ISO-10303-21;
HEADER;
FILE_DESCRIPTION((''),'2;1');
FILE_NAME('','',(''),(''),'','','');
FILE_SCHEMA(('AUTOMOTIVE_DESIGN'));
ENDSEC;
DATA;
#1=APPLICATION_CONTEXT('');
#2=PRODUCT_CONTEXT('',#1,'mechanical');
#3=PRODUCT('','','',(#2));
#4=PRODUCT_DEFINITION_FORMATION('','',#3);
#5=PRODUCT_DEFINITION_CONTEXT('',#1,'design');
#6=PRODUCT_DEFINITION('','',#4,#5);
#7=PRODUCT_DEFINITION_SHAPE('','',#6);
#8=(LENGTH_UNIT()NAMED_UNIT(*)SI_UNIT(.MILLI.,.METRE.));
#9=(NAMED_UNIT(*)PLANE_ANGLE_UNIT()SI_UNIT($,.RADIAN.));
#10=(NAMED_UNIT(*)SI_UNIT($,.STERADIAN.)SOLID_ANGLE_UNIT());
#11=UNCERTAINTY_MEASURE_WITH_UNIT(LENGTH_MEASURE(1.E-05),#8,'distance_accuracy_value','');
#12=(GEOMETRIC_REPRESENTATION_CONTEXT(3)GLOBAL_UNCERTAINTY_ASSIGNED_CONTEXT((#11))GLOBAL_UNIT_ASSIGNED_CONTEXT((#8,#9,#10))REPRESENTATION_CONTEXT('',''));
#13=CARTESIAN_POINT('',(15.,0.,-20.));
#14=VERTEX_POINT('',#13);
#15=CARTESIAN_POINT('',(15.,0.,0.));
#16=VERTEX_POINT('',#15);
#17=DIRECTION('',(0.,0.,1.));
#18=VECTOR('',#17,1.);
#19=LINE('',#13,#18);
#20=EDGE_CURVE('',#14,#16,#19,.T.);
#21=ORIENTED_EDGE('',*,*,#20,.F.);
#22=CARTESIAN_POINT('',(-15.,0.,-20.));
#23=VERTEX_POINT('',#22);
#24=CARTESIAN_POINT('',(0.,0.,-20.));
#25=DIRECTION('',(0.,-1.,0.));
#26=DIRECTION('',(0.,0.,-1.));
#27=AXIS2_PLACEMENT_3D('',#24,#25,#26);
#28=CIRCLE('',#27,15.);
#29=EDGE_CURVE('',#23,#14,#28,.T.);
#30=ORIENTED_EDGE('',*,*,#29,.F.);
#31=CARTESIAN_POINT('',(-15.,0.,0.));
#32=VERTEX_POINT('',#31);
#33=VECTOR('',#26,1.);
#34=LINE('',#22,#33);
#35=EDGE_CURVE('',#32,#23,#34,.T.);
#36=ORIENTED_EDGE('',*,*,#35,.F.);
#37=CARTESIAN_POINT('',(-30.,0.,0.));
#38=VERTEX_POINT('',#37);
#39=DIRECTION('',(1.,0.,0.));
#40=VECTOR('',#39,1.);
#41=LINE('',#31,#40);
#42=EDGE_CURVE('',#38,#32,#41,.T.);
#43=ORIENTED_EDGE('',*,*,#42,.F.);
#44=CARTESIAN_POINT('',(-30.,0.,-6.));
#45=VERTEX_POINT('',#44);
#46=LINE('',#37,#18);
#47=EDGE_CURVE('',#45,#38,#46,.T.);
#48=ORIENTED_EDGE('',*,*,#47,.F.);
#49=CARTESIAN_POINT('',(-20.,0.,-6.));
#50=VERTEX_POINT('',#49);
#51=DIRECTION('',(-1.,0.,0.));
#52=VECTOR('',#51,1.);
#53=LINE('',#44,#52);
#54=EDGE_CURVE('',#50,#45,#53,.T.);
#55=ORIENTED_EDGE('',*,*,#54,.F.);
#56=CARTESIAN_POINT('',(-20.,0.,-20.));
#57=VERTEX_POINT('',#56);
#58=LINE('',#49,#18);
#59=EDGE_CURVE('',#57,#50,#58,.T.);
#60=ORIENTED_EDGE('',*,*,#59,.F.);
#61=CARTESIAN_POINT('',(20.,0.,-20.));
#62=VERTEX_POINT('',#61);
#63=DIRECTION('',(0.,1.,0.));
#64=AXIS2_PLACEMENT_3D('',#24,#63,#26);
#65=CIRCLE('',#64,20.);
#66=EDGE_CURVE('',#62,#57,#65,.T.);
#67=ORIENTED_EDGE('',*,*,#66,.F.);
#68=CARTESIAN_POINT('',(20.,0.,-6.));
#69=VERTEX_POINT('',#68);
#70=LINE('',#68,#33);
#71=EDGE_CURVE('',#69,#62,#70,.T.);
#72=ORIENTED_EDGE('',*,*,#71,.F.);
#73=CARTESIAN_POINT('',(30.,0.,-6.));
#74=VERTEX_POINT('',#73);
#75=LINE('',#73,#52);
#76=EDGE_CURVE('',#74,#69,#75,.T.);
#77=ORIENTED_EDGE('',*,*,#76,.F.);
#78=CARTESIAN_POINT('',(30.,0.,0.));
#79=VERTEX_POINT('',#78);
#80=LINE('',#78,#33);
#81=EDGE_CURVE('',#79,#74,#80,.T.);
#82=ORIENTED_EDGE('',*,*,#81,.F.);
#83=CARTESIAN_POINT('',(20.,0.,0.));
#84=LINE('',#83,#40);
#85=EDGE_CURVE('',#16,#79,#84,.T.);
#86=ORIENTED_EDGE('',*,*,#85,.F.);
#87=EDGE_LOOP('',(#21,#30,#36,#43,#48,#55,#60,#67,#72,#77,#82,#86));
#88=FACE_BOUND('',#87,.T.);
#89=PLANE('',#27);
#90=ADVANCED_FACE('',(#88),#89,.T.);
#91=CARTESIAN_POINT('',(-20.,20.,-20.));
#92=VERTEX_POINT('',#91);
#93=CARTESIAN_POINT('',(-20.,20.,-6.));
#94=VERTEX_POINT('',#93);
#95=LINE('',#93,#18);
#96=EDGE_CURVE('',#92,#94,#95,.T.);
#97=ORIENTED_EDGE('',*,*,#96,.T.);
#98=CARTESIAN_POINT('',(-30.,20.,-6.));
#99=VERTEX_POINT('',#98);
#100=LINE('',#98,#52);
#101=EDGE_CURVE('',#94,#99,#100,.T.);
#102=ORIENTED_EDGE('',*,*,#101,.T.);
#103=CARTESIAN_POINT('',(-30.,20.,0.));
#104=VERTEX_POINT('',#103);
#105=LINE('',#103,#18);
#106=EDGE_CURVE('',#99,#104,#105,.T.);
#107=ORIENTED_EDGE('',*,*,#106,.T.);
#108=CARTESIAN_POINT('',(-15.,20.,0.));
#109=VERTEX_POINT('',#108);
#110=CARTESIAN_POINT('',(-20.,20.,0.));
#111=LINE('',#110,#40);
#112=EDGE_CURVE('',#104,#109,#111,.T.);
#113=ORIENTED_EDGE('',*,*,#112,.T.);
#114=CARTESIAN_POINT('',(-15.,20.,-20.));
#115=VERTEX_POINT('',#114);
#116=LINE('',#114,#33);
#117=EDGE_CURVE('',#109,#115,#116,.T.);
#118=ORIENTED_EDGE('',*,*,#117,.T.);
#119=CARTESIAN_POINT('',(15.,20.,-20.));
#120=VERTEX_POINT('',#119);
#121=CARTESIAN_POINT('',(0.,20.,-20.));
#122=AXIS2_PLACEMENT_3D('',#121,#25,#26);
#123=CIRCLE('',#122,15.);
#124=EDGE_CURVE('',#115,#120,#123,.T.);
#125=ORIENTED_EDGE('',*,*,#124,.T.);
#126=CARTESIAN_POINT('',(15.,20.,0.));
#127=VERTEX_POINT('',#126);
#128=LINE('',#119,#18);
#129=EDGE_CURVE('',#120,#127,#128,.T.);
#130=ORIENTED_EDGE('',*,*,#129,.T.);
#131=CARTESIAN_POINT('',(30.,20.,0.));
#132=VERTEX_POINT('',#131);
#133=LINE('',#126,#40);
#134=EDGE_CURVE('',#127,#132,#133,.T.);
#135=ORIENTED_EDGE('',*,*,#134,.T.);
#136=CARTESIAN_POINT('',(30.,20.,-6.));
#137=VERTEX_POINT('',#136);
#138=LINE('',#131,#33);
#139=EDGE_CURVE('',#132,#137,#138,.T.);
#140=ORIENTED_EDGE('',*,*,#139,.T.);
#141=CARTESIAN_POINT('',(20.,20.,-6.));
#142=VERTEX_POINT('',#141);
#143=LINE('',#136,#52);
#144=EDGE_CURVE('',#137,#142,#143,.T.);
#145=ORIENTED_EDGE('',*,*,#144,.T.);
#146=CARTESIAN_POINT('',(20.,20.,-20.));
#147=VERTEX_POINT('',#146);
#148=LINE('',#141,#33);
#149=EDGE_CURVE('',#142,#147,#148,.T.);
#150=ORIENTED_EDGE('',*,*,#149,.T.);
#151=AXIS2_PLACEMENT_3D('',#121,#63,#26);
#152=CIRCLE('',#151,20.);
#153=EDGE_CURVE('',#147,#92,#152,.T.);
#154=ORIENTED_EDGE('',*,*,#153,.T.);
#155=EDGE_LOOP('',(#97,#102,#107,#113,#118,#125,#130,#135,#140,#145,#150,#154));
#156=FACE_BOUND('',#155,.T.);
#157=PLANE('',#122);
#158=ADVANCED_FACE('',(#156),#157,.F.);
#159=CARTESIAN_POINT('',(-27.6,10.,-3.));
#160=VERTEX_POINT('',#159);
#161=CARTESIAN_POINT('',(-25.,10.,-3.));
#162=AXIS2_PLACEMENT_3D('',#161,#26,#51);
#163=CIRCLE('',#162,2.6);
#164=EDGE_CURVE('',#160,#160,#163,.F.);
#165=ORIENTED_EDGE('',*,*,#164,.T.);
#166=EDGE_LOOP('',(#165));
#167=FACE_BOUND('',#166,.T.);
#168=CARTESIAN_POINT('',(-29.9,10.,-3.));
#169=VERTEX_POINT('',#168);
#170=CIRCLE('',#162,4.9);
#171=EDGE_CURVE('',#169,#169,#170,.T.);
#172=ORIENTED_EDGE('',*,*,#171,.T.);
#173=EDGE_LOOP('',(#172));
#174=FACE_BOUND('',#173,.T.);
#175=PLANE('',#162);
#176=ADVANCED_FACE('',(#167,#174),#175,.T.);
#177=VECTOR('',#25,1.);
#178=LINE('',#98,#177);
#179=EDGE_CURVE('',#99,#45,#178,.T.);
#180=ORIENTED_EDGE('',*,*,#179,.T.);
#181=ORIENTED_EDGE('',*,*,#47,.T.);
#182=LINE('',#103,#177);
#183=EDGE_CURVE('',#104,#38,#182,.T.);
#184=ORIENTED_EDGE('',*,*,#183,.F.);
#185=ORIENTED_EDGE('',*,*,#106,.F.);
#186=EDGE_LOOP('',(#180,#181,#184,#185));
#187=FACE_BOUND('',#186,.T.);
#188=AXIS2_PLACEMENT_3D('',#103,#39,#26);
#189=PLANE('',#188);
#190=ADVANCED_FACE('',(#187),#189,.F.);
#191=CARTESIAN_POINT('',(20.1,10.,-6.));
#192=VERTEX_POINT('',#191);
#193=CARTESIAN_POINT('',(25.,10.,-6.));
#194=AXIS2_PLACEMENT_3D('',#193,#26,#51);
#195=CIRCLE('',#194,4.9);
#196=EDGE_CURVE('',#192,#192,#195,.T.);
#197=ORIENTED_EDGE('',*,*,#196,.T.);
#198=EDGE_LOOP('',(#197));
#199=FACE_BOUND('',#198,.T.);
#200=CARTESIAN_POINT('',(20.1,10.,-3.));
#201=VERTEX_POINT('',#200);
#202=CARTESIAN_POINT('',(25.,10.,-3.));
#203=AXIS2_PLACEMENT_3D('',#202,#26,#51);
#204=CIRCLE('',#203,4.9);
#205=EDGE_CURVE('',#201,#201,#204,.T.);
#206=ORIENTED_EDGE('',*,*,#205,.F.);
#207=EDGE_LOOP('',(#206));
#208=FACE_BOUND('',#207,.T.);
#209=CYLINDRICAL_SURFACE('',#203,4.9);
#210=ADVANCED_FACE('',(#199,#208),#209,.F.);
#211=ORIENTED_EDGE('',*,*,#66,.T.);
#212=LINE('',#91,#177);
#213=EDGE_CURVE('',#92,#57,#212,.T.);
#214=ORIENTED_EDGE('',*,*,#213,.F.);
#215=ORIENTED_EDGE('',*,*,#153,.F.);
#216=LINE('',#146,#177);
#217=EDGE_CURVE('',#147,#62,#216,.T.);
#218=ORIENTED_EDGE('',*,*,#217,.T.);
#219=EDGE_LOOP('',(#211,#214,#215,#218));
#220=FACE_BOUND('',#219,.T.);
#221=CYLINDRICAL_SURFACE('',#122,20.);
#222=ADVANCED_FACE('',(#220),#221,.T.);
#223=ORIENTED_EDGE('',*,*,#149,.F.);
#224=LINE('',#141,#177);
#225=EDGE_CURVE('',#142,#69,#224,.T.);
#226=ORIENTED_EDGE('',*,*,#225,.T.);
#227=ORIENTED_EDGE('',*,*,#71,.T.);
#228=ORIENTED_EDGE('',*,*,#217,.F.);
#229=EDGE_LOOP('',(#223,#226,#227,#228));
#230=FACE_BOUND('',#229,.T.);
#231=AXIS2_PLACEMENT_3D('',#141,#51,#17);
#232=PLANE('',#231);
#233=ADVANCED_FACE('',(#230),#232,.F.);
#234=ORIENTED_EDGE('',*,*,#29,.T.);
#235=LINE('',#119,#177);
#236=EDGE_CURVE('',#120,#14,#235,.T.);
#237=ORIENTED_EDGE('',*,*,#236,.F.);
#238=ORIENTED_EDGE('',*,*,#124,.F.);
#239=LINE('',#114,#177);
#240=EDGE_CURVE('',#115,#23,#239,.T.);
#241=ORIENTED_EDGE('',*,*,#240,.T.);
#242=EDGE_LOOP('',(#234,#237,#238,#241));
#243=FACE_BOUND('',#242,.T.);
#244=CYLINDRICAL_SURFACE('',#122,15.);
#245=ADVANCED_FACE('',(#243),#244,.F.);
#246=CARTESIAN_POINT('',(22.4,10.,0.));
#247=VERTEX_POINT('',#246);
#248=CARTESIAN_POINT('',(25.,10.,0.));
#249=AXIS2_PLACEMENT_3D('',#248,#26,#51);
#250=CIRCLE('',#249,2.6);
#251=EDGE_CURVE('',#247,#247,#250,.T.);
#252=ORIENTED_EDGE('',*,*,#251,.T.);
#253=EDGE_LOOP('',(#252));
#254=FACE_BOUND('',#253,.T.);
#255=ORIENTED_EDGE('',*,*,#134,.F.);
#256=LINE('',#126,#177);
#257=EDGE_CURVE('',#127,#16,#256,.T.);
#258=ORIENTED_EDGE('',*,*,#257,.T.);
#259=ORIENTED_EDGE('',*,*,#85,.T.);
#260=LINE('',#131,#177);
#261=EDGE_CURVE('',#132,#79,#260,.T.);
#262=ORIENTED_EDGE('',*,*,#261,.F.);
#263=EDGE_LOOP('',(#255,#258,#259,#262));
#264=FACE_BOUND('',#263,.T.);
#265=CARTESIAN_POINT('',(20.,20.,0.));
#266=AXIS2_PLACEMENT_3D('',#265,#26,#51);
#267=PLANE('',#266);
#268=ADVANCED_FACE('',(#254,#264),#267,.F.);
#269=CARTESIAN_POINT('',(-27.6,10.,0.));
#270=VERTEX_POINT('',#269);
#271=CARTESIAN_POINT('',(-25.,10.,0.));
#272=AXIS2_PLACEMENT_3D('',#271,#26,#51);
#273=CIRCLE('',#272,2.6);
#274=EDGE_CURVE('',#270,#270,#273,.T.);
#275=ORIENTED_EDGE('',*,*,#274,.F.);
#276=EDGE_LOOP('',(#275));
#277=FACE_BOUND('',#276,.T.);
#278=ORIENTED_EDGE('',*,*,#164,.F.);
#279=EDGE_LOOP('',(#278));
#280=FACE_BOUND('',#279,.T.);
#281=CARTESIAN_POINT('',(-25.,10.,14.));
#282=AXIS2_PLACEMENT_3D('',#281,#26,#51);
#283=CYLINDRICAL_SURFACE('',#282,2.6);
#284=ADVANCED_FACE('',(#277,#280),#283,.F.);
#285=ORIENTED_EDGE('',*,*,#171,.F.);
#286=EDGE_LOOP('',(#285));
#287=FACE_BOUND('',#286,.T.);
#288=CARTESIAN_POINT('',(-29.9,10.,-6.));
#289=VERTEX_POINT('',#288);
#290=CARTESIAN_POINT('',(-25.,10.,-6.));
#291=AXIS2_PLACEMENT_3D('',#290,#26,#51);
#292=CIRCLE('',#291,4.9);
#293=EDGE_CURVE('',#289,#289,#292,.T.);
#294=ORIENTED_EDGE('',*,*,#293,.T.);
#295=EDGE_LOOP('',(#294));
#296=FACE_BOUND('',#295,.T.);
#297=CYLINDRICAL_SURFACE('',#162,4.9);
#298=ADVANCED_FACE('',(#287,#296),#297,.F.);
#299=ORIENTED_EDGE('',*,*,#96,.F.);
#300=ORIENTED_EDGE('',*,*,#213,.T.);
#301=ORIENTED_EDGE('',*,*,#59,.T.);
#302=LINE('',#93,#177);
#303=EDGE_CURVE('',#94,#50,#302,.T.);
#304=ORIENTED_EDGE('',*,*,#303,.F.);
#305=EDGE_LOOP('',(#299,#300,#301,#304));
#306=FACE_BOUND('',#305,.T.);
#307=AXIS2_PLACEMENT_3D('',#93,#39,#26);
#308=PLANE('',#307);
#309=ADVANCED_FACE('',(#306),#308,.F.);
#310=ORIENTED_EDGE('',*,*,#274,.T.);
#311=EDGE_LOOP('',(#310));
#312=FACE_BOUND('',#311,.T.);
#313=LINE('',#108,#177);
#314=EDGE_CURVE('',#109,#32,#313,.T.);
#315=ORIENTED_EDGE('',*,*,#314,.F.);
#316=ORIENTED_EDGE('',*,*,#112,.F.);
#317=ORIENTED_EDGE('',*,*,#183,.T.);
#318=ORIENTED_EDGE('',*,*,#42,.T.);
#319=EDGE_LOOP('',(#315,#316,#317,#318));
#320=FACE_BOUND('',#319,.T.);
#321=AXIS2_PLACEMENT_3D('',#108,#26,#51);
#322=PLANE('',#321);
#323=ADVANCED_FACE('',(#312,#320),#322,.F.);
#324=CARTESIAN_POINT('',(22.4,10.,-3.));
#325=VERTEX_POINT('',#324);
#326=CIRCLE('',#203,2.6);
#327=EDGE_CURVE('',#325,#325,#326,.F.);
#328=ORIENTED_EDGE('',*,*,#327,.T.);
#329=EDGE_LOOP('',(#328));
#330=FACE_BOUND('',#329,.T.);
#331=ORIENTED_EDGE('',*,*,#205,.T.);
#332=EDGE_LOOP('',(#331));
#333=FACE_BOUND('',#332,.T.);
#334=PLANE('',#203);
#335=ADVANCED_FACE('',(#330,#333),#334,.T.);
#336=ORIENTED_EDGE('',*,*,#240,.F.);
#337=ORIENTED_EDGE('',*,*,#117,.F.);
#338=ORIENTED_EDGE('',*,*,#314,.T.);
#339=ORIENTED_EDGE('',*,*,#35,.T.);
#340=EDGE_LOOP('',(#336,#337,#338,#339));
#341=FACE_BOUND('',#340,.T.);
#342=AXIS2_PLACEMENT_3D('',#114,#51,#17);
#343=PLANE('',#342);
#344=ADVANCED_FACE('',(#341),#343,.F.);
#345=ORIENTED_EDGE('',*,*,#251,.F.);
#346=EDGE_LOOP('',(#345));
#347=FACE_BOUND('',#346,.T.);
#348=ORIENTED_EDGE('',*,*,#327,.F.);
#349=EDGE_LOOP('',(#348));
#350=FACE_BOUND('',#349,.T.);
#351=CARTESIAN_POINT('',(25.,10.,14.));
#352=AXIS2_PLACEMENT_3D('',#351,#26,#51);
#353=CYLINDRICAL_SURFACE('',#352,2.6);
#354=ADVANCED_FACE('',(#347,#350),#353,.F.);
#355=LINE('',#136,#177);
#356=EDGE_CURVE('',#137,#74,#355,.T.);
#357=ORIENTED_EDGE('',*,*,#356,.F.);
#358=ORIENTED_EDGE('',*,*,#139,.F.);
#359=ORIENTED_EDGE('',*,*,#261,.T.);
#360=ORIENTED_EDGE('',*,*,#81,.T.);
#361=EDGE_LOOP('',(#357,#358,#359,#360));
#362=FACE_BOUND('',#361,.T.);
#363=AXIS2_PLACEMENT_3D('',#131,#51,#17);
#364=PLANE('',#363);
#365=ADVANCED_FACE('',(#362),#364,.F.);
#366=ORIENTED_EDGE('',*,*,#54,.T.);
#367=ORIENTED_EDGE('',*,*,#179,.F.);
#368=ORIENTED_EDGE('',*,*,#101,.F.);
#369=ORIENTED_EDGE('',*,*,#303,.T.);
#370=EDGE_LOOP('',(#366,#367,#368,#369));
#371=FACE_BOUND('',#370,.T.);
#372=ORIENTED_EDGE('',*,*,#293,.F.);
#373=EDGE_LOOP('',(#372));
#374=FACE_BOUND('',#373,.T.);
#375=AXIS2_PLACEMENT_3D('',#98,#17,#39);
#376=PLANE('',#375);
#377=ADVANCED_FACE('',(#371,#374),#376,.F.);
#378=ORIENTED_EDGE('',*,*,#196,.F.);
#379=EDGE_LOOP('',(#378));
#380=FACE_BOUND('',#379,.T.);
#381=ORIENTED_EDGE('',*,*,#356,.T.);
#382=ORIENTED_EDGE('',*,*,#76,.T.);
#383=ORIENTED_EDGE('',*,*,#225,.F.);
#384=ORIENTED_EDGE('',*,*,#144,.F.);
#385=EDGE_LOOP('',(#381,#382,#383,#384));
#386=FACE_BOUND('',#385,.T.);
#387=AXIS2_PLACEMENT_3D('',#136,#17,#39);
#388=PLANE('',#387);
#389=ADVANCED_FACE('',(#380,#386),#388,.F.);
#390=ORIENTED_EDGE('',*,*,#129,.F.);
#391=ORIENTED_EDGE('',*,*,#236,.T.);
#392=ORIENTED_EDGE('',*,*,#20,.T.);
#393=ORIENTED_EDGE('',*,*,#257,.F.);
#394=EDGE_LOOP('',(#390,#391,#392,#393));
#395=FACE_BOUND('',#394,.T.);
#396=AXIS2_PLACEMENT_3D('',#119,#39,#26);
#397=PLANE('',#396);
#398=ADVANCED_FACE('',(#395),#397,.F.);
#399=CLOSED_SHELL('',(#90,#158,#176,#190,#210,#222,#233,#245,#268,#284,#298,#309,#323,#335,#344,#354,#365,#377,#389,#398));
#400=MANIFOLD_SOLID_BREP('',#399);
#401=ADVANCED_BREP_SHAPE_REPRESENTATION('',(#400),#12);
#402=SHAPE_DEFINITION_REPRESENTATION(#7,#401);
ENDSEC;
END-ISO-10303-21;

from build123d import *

# Parameters (mm, degrees)
EXTRUDE_1_DEPTH     = 20
CUT_EXTRUDE_1_DEPTH = 20
SKETCH_4_R          = 4.9
CUT_EXTRUDE_3_DEPTH = 3


with BuildPart() as part:
    # 草图1 → 凸台-拉伸1 (new body)
    with BuildSketch(Plane(origin=(0, 0, 0), x_dir=(1, 0, 0), z_dir=(0, 1, 0))):
        with BuildLine():
            Line((15, 0), (20, 0))
            Line((20, 0), (30, 0))
            Line((30, 0), (30, 6))
            Line((30, 6), (20, 6))
            Line((20, 6), (20, 20))
            ThreePointArc((20, 20), (0, 40), (-20, 20))
            Line((-20, 20), (-20, 6))
            Line((-20, 6), (-30, 6))
            Line((-30, 6), (-30, 0))
            Line((-30, 0), (-20, 0))
            Line((-20, 0), (-15, 0))
            Line((-15, 0), (-15, 20))
            ThreePointArc((-15, 20), (0, 35), (15, 20))
            Line((15, 20), (15, 0))
        make_face()
    extrude(amount=EXTRUDE_1_DEPTH)

    # 草图3 → 切除-拉伸1 (cut)
    with BuildSketch(Plane(origin=(0, 0, -6), x_dir=(-1, 0, 0), z_dir=(0, 0, -1))):
        with BuildLine():
            ThreePointArc((27.6, 10), (26.366900892, 12.211692102), (23.837244652, 12.325510697))
            Line((23.837244652, 12.325510697), (26.162755348, 7.674489303))
            ThreePointArc((26.162755348, 7.674489303), (27.211692102, 8.633099108), (27.6, 10))
        make_face()
        with BuildLine():
            Line((26.162755348, 7.674489303), (23.837244652, 12.325510697))
            ThreePointArc((23.837244652, 12.325510697), (22.674489303, 8.837244652), (26.162755348, 7.674489303))
        make_face()
        with BuildLine():
            ThreePointArc((-22.4, 10), (-23.633099108, 12.211692102), (-26.162755348, 12.325510697))
            Line((-26.162755348, 12.325510697), (-23.837244652, 7.674489303))
            ThreePointArc((-23.837244652, 7.674489303), (-22.788307898, 8.633099108), (-22.4, 10))
        make_face()
        with BuildLine():
            Line((-23.837244652, 7.674489303), (-26.162755348, 12.325510697))
            ThreePointArc((-26.162755348, 12.325510697), (-27.325510697, 8.837244652), (-23.837244652, 7.674489303))
        make_face()
    extrude(amount=-CUT_EXTRUDE_1_DEPTH, mode=Mode.SUBTRACT)

    # 草图4 → 切除-拉伸3 (cut)
    with BuildSketch(Plane(origin=(0, 0, -6), x_dir=(-1, 0, 0), z_dir=(0, 0, -1))):
        with Locations((-25, 10)):
            Circle(SKETCH_4_R)
        with Locations((25, 10)):
            Circle(SKETCH_4_R)
    extrude(amount=-CUT_EXTRUDE_3_DEPTH, mode=Mode.SUBTRACT)


solid = part.part
